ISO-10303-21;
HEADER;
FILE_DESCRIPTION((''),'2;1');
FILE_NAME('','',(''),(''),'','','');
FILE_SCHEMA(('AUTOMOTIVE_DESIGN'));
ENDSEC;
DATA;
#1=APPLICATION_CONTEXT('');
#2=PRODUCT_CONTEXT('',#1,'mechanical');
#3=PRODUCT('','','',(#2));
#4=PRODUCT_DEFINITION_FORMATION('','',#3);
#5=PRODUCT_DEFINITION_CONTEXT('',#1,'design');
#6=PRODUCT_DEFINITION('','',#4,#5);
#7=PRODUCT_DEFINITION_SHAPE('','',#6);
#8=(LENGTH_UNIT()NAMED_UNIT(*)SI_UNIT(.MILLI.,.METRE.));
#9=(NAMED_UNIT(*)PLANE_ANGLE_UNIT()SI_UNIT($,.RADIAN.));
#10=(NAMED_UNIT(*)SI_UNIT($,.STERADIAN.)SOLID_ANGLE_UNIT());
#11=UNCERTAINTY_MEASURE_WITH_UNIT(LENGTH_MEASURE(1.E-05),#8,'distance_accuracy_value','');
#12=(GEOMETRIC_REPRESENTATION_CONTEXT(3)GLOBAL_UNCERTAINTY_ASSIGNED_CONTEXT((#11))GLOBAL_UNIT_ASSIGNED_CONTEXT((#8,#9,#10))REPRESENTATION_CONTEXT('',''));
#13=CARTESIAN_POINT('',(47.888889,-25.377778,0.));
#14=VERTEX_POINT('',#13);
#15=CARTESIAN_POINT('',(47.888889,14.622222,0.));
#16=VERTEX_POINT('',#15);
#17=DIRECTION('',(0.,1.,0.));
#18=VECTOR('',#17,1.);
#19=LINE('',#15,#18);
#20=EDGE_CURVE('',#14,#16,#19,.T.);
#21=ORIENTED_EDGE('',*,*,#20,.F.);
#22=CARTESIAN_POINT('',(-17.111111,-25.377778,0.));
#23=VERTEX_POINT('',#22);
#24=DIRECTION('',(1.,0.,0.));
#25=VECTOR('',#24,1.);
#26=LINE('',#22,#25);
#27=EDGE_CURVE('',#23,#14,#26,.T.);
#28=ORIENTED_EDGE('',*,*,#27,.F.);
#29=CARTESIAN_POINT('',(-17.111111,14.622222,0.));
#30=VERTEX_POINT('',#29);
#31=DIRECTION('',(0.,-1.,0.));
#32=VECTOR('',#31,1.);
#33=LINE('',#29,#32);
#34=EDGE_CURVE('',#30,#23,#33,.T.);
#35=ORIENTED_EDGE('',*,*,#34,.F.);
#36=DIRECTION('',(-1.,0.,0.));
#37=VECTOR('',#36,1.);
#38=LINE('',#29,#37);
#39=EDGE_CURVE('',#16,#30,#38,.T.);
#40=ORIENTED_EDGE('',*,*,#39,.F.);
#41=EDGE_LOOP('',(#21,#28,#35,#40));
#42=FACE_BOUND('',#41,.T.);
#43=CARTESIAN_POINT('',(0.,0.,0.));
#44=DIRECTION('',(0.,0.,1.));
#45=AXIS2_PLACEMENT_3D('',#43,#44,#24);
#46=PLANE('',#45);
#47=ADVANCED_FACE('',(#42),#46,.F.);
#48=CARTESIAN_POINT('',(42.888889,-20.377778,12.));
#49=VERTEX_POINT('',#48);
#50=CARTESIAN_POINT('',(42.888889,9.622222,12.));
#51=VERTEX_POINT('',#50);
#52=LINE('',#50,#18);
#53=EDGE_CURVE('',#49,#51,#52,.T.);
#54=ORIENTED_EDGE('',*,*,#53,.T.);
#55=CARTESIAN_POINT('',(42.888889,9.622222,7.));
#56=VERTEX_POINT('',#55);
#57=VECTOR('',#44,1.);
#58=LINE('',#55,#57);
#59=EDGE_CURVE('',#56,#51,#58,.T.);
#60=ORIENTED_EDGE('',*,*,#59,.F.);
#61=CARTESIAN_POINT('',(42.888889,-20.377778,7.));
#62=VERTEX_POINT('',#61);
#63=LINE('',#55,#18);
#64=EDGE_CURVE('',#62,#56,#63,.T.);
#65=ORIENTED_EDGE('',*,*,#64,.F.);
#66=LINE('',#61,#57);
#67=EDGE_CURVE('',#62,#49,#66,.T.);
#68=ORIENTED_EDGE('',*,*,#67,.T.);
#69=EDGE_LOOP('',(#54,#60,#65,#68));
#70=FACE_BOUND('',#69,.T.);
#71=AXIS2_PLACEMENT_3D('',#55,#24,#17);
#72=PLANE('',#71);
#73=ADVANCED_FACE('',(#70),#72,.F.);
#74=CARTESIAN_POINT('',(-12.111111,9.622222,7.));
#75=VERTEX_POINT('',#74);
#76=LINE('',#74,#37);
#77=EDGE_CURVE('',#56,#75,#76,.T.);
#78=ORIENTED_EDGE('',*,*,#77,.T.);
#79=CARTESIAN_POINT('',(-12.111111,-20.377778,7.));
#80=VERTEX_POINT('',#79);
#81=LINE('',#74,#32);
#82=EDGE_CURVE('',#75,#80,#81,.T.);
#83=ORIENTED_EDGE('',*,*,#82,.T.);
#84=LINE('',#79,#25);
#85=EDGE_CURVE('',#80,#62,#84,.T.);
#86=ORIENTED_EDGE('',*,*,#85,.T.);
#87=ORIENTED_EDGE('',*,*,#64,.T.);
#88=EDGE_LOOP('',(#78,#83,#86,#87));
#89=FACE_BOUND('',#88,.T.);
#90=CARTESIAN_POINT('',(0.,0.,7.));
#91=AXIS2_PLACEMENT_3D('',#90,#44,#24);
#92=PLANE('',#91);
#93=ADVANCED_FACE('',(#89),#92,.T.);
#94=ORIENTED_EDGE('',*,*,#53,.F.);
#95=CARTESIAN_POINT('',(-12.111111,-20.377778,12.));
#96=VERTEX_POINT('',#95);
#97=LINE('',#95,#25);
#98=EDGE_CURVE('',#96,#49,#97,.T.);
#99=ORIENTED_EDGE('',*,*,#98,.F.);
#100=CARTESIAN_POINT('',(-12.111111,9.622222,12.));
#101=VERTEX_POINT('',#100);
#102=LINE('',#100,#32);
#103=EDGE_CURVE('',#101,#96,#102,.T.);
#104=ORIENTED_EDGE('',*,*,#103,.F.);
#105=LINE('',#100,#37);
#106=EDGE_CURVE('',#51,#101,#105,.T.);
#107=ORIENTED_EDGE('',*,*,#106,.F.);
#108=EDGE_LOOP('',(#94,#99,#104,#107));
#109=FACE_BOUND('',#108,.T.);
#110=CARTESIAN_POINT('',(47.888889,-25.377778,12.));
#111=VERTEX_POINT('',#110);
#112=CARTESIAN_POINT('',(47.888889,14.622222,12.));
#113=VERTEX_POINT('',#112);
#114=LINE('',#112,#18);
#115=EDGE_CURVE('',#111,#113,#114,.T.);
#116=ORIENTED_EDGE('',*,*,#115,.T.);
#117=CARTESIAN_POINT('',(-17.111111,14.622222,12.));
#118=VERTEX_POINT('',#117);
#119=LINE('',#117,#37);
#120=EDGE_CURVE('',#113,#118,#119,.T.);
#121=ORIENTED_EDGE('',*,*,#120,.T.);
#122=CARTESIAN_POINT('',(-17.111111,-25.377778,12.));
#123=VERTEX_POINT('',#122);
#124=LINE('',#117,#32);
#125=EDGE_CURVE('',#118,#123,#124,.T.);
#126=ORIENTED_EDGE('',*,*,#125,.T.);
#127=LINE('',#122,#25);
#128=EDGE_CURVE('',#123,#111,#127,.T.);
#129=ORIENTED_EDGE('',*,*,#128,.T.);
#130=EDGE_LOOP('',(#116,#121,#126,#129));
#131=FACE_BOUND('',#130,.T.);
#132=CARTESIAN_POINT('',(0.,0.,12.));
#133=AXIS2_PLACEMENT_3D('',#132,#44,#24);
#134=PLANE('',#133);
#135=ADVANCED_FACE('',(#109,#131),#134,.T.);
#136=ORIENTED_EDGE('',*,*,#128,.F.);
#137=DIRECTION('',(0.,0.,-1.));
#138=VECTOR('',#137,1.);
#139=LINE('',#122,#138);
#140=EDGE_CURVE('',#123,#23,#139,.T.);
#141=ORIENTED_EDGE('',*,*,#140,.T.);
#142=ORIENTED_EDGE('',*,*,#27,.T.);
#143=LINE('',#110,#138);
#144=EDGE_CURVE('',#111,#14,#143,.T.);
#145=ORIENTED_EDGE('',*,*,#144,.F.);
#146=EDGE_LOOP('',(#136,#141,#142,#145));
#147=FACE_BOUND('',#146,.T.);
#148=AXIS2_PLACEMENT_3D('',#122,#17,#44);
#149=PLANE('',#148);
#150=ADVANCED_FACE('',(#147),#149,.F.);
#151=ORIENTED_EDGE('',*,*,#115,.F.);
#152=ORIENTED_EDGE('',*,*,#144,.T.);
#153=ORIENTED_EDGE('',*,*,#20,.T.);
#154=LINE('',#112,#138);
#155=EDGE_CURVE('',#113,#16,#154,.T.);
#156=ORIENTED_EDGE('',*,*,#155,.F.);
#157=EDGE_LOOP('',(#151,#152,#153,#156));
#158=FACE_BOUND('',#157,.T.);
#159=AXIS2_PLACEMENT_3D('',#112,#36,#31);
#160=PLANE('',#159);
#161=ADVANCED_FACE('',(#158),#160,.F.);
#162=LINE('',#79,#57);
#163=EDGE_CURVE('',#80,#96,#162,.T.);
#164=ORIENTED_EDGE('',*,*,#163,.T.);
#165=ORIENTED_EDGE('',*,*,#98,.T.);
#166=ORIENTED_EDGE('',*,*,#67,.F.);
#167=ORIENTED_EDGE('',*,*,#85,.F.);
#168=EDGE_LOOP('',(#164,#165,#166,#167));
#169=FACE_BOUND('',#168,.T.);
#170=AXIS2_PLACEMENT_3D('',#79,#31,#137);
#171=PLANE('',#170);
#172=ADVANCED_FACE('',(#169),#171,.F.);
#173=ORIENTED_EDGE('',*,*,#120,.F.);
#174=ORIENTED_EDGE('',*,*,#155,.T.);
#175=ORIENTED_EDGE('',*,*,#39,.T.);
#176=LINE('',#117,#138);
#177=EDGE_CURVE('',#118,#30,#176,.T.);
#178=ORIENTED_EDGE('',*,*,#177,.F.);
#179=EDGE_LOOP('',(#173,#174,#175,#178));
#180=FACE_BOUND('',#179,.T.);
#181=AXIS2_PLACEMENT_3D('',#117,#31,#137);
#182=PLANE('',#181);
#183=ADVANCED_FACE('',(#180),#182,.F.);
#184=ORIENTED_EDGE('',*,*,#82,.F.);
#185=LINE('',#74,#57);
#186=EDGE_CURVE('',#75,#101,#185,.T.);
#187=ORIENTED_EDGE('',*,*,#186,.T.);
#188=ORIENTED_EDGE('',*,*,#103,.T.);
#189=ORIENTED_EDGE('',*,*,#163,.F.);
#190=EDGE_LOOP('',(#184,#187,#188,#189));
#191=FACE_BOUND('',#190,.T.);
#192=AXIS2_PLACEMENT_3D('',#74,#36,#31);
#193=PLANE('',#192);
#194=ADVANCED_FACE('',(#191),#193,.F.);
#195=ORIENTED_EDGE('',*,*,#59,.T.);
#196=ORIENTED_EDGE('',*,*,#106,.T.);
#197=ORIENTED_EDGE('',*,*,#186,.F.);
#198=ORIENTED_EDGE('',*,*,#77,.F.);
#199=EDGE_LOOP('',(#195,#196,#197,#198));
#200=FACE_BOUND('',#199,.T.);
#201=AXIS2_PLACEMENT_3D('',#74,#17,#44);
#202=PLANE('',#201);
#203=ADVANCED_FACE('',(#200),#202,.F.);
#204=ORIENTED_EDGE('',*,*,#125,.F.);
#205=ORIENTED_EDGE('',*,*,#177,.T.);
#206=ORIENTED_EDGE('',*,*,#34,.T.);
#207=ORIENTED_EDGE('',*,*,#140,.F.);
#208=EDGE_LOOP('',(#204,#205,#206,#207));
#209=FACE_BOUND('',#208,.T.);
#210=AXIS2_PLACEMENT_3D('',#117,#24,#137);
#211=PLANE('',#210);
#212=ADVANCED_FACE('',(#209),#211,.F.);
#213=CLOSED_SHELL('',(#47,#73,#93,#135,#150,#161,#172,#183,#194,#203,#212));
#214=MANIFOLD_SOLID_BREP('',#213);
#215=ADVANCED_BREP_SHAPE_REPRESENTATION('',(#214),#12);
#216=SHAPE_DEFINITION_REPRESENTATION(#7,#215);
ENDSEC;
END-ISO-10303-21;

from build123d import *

# Parameters (mm, degrees)
SKETCH_1_W          = 65
SKETCH_1_H          = 40
EXTRUDE_2_DEPTH     = 12
SKETCH_3_W          = 55
SKETCH_3_H          = 30
CUT_EXTRUDE_1_DEPTH = 5


with BuildPart() as part:
    # 草图1 → 凸台-拉伸2 (new body)
    with BuildSketch(Plane.XY):
        with Locations((15.388888889, -5.377777778)):
            Rectangle(SKETCH_1_W, SKETCH_1_H)
    extrude(amount=EXTRUDE_2_DEPTH)

    # 草图3 → 切除-拉伸1 (cut)
    with BuildSketch(Plane.XY.offset(12)):
        with Locations((15.388888889, -5.377777778)):
            Rectangle(SKETCH_3_W, SKETCH_3_H)
    extrude(amount=-CUT_EXTRUDE_1_DEPTH, mode=Mode.SUBTRACT)


solid = part.part
